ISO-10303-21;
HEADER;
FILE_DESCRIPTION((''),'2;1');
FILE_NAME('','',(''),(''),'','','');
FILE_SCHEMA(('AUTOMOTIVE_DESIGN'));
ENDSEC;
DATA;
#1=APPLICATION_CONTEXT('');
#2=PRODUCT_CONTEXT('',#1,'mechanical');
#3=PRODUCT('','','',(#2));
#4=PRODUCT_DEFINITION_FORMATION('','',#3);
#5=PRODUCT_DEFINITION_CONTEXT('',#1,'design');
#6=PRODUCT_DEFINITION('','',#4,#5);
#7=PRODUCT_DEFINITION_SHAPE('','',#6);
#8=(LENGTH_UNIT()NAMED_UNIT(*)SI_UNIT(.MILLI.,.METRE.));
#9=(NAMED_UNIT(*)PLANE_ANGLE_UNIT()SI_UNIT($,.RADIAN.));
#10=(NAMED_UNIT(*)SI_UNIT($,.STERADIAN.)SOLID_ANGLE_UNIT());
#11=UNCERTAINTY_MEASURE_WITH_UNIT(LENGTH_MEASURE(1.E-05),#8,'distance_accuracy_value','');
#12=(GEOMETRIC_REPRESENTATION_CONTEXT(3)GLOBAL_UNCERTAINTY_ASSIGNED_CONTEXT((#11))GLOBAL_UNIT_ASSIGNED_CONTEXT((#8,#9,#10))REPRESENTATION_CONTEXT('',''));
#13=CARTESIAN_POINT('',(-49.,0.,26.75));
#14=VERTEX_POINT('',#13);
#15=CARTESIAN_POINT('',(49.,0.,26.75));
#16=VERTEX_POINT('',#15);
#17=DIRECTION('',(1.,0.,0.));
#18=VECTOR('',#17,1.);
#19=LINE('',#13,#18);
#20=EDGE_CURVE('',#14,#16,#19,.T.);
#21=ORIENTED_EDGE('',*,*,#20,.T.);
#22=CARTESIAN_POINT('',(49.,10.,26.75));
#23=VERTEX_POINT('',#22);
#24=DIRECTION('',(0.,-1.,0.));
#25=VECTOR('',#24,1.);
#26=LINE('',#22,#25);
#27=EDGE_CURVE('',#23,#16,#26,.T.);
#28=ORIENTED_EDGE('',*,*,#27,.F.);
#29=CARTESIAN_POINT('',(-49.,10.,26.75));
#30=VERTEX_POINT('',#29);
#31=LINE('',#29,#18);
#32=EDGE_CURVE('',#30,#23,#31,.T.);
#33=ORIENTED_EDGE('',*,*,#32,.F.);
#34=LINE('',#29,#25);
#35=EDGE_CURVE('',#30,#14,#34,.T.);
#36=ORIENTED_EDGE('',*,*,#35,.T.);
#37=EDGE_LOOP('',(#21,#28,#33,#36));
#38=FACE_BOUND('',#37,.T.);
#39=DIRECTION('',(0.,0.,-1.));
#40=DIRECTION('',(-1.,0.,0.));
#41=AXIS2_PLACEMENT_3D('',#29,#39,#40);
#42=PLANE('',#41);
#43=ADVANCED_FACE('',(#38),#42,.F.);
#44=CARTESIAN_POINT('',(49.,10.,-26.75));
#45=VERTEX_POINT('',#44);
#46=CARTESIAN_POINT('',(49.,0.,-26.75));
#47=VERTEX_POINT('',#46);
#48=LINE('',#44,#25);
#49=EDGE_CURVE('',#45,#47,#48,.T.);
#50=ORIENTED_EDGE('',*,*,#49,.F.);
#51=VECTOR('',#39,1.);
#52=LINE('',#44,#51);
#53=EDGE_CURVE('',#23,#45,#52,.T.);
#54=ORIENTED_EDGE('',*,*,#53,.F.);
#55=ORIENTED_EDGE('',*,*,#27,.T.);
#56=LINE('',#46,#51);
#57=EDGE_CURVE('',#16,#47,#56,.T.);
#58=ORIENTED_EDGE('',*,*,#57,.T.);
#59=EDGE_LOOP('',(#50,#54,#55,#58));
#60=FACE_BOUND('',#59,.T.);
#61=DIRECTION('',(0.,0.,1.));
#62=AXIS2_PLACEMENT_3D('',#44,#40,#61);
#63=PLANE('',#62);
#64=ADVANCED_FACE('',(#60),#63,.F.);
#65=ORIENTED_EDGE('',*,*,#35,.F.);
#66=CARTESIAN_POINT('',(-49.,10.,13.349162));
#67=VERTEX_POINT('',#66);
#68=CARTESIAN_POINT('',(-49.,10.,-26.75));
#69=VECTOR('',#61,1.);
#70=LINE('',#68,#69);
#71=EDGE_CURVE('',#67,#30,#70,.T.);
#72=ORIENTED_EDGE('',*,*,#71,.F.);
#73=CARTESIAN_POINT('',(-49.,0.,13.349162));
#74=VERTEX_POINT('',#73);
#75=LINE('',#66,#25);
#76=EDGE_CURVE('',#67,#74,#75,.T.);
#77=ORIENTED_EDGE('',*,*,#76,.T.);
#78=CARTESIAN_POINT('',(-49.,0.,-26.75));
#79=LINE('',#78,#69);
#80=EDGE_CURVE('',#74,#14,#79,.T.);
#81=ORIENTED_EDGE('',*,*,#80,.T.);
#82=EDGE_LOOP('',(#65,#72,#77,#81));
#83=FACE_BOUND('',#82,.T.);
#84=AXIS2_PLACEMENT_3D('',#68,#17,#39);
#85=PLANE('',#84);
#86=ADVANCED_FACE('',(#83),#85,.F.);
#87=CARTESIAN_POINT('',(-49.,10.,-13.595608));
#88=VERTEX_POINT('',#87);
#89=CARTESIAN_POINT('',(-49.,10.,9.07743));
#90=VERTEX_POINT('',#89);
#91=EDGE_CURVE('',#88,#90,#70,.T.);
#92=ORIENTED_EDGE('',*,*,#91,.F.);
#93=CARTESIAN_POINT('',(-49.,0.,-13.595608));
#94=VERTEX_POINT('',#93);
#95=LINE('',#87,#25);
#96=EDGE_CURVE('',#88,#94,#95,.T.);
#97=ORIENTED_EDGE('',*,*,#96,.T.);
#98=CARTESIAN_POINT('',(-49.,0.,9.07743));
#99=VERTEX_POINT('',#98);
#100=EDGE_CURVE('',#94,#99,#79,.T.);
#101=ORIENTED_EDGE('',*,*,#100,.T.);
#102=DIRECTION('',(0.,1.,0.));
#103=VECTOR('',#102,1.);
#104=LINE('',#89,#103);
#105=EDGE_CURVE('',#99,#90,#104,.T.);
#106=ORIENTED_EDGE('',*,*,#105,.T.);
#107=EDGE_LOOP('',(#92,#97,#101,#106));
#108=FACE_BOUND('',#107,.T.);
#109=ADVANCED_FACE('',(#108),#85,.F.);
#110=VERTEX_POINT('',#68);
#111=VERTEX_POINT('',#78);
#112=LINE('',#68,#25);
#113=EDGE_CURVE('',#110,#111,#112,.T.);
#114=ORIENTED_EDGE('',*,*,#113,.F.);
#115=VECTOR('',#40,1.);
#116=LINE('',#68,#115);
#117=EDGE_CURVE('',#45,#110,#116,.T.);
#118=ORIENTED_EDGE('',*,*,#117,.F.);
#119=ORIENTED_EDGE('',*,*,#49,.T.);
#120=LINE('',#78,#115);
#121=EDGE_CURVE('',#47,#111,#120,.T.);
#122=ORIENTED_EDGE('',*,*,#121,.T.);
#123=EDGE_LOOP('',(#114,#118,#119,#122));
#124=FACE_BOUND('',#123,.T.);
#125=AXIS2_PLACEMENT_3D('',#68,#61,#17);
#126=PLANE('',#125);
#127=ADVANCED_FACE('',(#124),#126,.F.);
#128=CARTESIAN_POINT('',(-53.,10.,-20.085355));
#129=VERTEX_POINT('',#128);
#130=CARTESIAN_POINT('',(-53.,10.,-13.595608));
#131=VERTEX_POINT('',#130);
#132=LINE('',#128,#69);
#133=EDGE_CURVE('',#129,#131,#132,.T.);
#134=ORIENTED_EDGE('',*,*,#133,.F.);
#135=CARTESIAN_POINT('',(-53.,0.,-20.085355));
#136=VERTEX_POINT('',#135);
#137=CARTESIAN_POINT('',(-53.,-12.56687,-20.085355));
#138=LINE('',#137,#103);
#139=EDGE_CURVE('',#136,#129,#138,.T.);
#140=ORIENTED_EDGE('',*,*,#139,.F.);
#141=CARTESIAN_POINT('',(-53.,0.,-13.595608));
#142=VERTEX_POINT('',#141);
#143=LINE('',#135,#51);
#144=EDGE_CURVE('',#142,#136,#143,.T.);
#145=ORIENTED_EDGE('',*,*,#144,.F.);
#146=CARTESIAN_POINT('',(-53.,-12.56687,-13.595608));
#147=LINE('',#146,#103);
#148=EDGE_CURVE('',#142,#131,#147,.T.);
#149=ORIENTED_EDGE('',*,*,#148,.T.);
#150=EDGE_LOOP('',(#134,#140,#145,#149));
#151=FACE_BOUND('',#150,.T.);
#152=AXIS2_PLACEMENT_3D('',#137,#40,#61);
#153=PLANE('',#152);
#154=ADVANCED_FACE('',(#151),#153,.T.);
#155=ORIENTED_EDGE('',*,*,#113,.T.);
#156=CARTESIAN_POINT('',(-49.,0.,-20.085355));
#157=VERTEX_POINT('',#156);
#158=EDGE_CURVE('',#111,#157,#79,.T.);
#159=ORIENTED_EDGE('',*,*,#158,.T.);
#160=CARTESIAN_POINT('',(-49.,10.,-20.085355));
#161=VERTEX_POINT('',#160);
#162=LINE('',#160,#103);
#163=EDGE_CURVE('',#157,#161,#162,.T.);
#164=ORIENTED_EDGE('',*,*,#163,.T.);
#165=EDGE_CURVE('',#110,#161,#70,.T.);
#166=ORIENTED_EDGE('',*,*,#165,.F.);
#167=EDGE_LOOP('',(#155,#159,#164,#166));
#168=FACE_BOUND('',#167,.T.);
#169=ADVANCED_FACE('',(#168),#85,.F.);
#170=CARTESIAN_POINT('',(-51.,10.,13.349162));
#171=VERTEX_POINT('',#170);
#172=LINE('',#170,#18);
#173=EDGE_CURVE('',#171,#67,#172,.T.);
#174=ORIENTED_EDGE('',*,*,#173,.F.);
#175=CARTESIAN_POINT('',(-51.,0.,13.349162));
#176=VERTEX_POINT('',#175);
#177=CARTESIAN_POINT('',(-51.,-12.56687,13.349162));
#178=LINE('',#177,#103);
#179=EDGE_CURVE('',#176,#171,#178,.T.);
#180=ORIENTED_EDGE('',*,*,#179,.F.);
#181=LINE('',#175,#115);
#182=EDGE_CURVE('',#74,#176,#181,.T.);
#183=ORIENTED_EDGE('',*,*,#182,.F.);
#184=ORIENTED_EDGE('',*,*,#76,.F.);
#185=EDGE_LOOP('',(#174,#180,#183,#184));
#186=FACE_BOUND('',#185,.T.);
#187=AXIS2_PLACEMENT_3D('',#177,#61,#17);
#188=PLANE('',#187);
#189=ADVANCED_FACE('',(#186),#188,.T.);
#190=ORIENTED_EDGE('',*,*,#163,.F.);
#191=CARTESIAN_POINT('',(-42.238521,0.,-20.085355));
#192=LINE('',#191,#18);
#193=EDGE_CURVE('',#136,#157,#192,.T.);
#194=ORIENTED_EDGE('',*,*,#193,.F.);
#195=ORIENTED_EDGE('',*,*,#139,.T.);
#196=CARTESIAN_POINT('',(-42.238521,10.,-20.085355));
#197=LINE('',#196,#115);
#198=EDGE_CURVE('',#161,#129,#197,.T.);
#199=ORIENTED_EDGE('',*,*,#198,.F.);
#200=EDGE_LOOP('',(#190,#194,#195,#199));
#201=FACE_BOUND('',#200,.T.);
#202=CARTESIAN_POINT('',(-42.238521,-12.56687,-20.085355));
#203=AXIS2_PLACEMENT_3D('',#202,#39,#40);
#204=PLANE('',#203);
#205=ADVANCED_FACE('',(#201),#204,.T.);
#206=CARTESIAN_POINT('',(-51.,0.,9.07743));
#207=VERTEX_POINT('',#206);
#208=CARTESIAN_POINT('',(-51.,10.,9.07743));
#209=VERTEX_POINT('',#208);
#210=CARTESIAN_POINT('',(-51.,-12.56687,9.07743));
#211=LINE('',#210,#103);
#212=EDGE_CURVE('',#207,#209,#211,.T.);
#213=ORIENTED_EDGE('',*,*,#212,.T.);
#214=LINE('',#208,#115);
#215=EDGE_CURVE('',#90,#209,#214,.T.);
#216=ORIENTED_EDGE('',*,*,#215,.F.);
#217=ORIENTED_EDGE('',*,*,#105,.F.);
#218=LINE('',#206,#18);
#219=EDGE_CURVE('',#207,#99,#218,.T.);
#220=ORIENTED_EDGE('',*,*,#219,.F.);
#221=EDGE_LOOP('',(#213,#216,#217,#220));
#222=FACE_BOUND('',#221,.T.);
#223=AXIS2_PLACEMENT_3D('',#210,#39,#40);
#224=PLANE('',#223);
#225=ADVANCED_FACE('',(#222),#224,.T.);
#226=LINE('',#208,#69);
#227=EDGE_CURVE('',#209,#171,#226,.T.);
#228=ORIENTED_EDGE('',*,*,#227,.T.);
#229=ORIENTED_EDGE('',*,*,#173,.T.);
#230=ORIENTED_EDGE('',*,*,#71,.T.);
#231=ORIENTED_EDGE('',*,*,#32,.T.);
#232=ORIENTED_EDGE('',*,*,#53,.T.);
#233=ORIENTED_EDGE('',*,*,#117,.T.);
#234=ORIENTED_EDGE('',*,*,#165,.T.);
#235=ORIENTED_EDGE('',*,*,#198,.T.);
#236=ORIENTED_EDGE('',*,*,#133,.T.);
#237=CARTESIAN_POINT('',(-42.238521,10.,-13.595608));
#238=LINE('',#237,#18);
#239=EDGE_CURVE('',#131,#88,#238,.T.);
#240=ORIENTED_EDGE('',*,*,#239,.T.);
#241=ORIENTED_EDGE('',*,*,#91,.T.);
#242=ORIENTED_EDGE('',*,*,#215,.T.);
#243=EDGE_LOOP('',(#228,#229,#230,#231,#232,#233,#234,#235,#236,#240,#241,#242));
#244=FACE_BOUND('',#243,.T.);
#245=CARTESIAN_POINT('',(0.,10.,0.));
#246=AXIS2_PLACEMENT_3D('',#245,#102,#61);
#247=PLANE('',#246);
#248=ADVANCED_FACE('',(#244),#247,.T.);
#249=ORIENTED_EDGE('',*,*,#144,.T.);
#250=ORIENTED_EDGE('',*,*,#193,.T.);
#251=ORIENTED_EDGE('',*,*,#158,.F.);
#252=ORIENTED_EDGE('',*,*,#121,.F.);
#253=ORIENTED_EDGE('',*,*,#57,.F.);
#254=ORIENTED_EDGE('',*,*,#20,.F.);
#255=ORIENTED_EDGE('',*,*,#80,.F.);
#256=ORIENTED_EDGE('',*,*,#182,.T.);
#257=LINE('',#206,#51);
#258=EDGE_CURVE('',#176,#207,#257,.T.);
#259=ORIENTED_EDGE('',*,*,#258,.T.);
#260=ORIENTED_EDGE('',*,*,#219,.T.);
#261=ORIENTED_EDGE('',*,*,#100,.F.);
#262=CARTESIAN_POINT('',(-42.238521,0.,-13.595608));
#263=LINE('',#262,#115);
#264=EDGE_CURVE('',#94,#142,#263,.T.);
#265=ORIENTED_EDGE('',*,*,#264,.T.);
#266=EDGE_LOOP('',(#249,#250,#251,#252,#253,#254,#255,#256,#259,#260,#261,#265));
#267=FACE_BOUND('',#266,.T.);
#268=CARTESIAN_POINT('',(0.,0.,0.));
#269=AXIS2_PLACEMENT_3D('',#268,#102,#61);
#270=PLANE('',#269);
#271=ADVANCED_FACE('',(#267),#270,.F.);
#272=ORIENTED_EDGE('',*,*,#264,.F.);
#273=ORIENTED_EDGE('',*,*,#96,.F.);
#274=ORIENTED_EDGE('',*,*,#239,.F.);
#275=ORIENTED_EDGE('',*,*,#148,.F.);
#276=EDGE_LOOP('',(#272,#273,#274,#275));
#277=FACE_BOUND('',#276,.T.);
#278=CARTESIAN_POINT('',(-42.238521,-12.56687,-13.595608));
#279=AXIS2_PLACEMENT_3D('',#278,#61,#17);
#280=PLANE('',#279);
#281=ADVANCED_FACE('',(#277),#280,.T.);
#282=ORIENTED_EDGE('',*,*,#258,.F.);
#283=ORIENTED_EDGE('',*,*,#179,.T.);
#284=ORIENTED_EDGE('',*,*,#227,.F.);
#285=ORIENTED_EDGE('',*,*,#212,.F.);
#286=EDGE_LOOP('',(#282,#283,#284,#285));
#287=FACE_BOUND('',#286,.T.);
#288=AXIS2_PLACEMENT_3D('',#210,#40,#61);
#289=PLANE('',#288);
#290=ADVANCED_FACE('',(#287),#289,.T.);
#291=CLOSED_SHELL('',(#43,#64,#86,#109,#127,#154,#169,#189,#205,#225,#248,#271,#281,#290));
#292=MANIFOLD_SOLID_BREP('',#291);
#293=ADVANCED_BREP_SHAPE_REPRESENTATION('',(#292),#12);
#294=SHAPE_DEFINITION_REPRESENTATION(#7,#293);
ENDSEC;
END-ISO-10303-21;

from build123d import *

# Parameters (mm, degrees)
SKETCH_1_W      = 98
SKETCH_1_H      = 53.5
EXTRUDE_1_DEPTH = 10
SKETCH_2_W      = 10.761478591
SKETCH_2_H      = 6.489746631
SKETCH_2_W_2    = 7.311233546
SKETCH_2_H_2    = 4.27173196
EXTRUDE_2_DEPTH = 10


with BuildPart() as part:
    # 草图1 → 凸台-拉伸1 (new body)
    with BuildSketch(Plane(origin=(0, 0, 0), x_dir=(1, 0, 0), z_dir=(0, 1, 0))):
        Rectangle(SKETCH_1_W, SKETCH_1_H)
    extrude(amount=EXTRUDE_1_DEPTH)

    # 草图2 → 凸台-拉伸2 (add)
    with BuildSketch(Plane(origin=(0, 10, 0), x_dir=(1, 0, 0), z_dir=(0, 1, 0))):
        with Locations((-47.619260705, 16.840481764)):
            Rectangle(SKETCH_2_W, SKETCH_2_H)
        with Locations((-47.344383227, -11.213296394)):
            Rectangle(SKETCH_2_W_2, SKETCH_2_H_2)
    extrude(amount=-EXTRUDE_2_DEPTH)


solid = part.part
